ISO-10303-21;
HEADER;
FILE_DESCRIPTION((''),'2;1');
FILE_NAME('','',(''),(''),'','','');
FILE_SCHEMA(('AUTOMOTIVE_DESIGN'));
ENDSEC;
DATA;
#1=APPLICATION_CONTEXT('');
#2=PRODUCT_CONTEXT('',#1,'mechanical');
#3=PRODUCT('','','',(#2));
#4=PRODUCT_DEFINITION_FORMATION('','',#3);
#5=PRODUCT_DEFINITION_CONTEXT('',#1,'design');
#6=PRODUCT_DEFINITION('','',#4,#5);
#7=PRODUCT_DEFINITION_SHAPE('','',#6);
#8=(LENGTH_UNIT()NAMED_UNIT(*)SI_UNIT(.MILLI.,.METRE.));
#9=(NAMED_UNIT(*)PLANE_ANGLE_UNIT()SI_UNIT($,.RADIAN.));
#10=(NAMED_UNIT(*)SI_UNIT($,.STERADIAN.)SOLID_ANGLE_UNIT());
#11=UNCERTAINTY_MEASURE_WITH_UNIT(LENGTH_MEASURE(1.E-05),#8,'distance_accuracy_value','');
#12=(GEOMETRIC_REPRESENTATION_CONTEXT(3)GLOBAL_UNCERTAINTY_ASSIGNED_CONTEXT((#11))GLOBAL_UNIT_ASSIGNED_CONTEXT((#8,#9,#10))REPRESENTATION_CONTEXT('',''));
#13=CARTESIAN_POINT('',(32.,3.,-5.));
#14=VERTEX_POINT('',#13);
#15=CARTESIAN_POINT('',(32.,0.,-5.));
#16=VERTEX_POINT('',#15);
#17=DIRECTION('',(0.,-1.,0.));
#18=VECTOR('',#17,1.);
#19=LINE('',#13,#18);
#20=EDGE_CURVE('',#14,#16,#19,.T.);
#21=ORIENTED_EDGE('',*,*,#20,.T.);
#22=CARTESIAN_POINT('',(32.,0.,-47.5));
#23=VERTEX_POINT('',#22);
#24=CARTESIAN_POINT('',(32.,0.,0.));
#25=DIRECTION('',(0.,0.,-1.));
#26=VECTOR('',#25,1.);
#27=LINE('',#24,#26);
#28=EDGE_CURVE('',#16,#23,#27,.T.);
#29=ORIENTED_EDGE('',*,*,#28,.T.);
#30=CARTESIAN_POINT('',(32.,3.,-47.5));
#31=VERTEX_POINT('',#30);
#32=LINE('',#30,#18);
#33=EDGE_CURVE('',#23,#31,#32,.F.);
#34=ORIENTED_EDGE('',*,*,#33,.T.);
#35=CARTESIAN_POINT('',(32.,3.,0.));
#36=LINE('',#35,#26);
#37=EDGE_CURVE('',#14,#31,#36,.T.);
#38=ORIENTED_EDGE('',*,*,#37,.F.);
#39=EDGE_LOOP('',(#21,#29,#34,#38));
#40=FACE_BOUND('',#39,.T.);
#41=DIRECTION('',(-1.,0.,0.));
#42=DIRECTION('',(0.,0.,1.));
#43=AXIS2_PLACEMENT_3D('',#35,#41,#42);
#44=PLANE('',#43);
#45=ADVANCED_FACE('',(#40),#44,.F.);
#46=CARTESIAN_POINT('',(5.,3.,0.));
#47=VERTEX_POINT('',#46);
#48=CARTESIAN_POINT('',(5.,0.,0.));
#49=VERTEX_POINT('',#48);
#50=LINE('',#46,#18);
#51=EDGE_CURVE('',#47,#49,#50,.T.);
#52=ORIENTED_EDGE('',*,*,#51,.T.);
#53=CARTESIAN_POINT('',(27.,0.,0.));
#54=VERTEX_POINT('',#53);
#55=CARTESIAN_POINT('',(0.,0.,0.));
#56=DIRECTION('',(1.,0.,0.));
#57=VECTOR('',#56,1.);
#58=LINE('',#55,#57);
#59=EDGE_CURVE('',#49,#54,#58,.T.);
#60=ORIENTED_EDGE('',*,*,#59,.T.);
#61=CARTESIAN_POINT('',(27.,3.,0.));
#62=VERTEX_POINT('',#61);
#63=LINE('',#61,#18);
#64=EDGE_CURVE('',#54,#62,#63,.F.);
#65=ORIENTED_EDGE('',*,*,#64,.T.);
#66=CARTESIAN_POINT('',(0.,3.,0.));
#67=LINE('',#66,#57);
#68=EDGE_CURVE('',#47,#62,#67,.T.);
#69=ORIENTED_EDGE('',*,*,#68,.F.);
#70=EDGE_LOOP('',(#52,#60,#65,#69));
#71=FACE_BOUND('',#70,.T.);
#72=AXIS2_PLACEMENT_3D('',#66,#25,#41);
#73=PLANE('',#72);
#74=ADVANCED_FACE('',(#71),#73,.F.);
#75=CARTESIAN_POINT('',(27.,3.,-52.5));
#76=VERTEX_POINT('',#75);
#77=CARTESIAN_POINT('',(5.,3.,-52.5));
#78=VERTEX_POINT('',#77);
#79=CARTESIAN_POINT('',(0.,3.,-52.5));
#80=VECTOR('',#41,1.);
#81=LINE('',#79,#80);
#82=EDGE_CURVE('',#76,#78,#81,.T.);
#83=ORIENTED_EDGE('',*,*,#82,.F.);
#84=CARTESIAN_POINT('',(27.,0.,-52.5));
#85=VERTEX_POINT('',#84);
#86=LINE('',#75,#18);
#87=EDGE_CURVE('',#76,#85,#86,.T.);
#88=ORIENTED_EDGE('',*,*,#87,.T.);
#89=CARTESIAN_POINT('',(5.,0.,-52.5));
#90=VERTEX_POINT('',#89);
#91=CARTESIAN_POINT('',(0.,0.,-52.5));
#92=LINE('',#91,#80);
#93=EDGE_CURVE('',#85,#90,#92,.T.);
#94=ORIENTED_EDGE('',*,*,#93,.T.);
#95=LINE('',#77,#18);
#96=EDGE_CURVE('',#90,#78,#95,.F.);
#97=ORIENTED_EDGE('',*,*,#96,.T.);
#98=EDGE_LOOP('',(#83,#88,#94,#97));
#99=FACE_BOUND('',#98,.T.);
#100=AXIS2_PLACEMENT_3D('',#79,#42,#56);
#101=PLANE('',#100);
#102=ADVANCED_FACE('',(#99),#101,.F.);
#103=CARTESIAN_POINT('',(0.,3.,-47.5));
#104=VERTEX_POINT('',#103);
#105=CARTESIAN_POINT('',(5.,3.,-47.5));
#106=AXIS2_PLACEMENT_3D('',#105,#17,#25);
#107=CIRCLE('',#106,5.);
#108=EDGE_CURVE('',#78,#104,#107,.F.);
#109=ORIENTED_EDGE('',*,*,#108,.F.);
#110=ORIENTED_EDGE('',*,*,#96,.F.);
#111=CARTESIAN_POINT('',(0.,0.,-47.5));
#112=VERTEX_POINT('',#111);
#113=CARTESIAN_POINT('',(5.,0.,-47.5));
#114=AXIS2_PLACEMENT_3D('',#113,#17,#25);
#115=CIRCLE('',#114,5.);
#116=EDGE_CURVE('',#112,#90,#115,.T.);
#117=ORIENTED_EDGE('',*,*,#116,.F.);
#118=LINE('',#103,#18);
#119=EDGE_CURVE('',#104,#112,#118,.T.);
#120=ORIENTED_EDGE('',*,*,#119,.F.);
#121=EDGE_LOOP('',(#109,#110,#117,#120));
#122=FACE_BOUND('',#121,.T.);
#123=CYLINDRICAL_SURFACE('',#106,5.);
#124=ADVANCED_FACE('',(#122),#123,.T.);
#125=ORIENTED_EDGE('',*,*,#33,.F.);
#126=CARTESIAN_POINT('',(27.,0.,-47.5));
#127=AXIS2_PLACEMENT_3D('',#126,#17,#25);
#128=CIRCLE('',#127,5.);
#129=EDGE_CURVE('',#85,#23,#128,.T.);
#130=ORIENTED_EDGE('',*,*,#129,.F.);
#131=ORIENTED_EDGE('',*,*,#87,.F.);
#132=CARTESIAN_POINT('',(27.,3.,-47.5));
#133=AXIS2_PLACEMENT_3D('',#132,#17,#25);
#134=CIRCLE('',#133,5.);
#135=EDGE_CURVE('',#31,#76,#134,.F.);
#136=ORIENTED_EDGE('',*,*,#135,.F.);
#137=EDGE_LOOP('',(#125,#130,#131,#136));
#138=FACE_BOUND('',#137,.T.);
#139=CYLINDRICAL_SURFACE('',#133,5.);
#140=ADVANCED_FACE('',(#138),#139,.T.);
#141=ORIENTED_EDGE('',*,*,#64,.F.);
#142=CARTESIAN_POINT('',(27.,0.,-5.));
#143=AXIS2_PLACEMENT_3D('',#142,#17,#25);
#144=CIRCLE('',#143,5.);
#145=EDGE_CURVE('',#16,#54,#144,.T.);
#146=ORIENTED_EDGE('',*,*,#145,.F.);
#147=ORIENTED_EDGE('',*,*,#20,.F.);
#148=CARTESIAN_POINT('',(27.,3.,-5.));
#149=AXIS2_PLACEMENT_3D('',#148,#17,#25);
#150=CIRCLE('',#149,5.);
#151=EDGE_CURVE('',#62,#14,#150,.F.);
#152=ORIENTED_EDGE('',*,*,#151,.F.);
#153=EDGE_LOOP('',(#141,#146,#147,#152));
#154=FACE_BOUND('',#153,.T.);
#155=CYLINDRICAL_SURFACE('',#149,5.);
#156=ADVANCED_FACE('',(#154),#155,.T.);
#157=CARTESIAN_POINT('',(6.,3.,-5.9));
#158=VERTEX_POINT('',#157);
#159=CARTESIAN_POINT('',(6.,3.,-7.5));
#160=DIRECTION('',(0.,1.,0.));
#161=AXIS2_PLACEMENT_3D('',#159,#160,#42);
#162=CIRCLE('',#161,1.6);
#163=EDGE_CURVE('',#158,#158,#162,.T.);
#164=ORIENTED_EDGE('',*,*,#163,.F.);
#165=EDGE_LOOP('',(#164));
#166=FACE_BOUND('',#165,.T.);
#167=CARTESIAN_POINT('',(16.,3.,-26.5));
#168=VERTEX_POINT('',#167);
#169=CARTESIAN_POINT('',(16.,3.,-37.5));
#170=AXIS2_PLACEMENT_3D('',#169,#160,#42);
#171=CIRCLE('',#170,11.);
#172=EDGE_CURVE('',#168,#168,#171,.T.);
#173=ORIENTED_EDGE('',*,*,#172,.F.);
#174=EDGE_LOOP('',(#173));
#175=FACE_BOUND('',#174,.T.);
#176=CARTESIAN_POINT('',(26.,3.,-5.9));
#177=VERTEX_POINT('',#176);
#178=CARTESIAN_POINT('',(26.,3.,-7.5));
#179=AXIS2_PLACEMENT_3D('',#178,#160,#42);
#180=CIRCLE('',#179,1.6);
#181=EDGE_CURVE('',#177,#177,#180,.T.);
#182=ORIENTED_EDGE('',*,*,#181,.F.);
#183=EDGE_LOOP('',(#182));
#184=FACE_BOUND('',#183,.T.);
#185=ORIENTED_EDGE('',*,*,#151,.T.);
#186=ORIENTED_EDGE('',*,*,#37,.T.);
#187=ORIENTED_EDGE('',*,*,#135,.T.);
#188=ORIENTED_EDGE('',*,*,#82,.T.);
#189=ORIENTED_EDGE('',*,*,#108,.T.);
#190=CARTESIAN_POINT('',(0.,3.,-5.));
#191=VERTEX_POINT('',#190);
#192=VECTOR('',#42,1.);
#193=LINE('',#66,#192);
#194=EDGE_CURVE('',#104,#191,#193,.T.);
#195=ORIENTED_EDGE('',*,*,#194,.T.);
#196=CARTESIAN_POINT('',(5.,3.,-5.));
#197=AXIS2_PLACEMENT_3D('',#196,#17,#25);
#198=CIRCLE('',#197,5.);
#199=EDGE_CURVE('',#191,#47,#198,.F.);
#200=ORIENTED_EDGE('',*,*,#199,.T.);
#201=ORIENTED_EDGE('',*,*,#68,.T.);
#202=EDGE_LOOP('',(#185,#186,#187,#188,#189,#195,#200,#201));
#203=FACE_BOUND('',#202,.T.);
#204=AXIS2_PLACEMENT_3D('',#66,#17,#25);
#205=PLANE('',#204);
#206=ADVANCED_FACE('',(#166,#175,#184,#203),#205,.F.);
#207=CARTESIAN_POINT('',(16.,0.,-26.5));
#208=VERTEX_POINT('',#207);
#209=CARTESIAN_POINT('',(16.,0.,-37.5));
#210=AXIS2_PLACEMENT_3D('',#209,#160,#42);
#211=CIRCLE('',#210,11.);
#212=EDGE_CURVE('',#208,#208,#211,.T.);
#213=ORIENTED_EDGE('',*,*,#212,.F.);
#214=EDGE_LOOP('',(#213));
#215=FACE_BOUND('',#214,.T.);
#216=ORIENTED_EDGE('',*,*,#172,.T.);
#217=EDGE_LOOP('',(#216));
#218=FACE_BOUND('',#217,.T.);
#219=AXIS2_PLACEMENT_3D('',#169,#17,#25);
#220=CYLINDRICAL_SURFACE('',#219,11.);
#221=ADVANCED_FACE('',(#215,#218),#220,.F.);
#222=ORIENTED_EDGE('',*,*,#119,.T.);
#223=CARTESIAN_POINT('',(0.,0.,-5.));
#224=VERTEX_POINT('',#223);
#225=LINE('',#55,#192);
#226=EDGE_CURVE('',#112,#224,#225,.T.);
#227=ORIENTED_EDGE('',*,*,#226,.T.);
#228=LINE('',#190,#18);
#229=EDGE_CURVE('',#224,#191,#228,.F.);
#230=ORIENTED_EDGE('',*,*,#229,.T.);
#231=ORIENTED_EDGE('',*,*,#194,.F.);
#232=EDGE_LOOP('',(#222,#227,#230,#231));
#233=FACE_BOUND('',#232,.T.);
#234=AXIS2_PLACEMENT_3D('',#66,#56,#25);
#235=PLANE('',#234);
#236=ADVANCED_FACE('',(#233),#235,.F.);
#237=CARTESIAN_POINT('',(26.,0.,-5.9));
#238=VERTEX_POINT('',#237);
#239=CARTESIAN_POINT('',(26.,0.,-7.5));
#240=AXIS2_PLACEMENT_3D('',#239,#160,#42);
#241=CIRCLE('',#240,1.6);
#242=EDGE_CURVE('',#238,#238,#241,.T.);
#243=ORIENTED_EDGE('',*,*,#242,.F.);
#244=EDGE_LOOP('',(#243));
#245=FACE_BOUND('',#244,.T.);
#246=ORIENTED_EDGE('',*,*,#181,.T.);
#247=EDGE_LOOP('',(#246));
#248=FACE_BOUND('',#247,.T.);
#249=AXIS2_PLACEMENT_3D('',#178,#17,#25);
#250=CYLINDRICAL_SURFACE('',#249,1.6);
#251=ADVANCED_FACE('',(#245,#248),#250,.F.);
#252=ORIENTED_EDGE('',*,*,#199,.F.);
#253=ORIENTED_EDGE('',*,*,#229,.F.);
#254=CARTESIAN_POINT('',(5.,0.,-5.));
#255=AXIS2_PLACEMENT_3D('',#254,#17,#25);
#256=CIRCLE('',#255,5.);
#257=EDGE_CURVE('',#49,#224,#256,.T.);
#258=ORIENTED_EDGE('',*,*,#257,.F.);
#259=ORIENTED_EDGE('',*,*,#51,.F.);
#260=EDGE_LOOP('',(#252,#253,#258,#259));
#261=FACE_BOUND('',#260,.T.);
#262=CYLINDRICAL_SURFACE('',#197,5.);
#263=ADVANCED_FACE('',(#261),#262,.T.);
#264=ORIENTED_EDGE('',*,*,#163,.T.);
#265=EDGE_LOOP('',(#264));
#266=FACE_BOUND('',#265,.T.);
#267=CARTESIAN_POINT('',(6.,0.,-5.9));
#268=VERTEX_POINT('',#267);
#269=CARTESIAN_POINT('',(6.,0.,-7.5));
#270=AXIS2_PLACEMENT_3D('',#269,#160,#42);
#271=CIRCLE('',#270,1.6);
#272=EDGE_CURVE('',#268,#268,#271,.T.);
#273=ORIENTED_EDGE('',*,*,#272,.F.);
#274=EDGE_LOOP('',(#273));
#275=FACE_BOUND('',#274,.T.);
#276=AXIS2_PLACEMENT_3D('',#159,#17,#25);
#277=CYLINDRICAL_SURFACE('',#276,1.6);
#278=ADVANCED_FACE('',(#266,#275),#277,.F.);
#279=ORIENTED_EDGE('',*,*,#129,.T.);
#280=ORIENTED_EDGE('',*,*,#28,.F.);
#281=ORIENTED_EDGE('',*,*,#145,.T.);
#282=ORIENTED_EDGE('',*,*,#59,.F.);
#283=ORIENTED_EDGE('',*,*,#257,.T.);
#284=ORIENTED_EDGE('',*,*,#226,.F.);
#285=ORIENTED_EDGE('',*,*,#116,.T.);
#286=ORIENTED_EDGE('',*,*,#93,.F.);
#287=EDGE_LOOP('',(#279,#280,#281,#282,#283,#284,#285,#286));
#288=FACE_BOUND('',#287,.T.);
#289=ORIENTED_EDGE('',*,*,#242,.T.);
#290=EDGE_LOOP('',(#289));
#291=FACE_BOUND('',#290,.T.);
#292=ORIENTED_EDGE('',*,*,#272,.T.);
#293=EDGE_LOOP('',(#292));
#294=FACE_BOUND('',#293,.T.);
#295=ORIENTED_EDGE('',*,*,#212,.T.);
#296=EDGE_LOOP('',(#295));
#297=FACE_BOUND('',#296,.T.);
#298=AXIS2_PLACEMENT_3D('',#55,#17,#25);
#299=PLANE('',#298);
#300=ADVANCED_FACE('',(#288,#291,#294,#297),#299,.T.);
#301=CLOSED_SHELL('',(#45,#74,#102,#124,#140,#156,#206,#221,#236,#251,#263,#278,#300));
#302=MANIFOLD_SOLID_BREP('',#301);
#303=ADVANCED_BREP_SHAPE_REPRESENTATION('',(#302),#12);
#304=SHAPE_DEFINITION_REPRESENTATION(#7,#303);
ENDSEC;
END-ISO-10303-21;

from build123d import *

# Parameters (mm, degrees)
SKETCH1_W           = 32
SKETCH1_H           = 52.5
SKETCH1_R           = 11
SKETCH1_R_2         = 1.6
BOSS_EXTRUDE1_DEPTH = 3
FILLET1_R           = 5


with BuildPart() as part:
    # Sketch1 → Boss-Extrude1 (new body)
    with BuildSketch(Plane(origin=(0, 0, 0), x_dir=(1, 0, 0), z_dir=(0, 1, 0))):
        with Locations((16, 26.25)):
            Rectangle(SKETCH1_W, SKETCH1_H)
        with Locations((16, 37.5)):
            Circle(SKETCH1_R, mode=Mode.SUBTRACT)
        with Locations((6, 7.5)):
            Circle(SKETCH1_R_2, mode=Mode.SUBTRACT)
        with Locations((26, 7.5)):
            Circle(SKETCH1_R_2, mode=Mode.SUBTRACT)
    extrude(amount=BOSS_EXTRUDE1_DEPTH)

    # Fillet1
    fillet1_edges = [part.edges().sort_by_distance(p)[0] for p in [
        (0, 1.5, -52.5),
        (32, 1.5, -52.5),
        (32, 1.5, 0),
        (0, 1.5, 0),
    ]]
    fillet(fillet1_edges, radius=FILLET1_R)


solid = part.part
